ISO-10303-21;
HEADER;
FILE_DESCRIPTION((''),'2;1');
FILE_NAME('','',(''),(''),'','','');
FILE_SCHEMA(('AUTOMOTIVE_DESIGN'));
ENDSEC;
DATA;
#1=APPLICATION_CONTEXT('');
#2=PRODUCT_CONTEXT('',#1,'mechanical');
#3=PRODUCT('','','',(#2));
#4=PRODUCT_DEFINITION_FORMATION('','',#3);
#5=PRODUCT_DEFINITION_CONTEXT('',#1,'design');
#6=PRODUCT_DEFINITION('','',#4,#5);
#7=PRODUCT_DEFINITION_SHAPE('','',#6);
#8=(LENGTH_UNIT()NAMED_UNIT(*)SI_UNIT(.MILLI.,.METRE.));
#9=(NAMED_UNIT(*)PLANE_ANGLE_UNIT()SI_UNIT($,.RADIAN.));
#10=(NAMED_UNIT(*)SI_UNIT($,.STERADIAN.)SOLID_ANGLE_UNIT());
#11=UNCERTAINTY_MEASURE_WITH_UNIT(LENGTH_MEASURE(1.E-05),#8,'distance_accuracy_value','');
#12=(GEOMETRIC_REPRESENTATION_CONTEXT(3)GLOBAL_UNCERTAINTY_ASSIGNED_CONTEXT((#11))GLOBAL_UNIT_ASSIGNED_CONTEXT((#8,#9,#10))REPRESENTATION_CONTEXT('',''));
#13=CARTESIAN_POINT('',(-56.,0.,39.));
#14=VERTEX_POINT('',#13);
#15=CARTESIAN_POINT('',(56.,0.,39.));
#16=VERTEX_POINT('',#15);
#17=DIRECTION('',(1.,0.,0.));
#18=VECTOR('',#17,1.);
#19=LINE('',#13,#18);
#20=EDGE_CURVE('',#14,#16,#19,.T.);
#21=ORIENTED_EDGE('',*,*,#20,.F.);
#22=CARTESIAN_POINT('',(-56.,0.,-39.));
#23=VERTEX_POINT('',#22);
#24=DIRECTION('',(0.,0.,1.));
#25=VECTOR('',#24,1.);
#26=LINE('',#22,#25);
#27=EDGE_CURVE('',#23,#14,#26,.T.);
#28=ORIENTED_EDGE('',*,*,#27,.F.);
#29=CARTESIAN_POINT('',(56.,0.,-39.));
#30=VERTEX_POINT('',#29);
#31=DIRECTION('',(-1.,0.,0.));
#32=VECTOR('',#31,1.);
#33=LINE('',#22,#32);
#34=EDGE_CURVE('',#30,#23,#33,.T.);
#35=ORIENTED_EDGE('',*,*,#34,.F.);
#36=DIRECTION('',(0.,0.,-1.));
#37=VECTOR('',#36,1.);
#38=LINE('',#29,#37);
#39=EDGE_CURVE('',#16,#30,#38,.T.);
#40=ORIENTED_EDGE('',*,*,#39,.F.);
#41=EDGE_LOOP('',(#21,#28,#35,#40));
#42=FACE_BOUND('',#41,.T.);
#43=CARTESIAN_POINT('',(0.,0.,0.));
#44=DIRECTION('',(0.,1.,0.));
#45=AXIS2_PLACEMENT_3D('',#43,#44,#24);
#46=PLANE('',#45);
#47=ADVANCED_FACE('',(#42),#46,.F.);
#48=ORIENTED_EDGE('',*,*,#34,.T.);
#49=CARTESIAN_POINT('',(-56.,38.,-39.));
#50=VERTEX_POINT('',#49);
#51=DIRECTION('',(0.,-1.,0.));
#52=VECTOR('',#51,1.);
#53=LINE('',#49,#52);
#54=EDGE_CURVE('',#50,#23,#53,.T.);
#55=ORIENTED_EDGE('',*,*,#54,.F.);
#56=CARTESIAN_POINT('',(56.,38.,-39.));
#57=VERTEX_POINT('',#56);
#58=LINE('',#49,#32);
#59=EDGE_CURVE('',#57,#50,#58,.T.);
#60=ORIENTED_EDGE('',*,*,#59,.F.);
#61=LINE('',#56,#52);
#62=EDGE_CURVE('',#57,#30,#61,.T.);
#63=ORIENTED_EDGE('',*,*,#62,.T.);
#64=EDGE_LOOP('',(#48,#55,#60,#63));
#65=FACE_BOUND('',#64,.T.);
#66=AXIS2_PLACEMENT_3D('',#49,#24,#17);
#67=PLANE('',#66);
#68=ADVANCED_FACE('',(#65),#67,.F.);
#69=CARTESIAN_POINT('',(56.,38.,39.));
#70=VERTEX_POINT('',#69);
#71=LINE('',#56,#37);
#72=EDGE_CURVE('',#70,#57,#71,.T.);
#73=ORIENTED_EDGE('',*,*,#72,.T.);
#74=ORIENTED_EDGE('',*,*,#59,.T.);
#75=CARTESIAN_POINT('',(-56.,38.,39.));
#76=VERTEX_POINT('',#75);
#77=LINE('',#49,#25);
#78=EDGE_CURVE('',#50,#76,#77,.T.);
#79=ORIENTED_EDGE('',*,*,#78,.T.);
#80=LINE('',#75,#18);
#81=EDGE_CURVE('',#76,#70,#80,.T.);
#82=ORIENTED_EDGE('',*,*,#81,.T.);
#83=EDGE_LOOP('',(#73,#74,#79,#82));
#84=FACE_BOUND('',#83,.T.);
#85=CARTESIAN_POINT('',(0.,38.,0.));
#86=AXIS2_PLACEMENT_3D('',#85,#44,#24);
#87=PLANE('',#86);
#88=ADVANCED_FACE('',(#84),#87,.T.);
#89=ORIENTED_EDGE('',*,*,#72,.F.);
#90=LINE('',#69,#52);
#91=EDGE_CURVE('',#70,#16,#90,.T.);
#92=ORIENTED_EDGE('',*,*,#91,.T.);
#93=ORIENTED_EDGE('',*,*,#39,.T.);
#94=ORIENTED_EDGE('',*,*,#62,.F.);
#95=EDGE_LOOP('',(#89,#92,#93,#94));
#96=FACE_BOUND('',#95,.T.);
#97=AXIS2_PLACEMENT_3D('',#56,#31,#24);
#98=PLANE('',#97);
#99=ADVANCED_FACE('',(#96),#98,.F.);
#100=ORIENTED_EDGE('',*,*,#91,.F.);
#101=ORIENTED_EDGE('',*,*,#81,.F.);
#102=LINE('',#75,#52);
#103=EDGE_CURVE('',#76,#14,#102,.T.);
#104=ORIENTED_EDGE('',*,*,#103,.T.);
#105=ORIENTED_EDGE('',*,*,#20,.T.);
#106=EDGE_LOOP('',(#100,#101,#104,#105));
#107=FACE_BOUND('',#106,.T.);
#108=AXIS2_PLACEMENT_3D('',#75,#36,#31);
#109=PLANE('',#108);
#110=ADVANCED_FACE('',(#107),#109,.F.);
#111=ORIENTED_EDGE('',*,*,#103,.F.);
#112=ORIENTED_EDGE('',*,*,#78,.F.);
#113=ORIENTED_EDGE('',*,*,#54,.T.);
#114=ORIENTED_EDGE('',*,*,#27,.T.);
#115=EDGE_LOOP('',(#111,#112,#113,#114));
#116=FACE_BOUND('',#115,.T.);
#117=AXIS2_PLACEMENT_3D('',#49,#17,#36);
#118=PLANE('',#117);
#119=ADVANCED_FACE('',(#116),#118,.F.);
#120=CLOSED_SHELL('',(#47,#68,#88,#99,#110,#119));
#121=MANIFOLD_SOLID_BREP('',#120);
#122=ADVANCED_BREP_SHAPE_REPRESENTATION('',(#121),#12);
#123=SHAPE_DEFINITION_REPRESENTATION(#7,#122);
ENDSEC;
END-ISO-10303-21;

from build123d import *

# Parameters (mm, degrees)
SKETCH1_W           = 112
SKETCH1_H           = 78
BOSS_EXTRUDE1_DEPTH = 38


with BuildPart() as part:
    # Sketch1 → Boss-Extrude1 (new body)
    with BuildSketch(Plane(origin=(0, 0, 0), x_dir=(1, 0, 0), z_dir=(0, 1, 0))):
        Rectangle(SKETCH1_W, SKETCH1_H)
    extrude(amount=BOSS_EXTRUDE1_DEPTH)


solid = part.part
